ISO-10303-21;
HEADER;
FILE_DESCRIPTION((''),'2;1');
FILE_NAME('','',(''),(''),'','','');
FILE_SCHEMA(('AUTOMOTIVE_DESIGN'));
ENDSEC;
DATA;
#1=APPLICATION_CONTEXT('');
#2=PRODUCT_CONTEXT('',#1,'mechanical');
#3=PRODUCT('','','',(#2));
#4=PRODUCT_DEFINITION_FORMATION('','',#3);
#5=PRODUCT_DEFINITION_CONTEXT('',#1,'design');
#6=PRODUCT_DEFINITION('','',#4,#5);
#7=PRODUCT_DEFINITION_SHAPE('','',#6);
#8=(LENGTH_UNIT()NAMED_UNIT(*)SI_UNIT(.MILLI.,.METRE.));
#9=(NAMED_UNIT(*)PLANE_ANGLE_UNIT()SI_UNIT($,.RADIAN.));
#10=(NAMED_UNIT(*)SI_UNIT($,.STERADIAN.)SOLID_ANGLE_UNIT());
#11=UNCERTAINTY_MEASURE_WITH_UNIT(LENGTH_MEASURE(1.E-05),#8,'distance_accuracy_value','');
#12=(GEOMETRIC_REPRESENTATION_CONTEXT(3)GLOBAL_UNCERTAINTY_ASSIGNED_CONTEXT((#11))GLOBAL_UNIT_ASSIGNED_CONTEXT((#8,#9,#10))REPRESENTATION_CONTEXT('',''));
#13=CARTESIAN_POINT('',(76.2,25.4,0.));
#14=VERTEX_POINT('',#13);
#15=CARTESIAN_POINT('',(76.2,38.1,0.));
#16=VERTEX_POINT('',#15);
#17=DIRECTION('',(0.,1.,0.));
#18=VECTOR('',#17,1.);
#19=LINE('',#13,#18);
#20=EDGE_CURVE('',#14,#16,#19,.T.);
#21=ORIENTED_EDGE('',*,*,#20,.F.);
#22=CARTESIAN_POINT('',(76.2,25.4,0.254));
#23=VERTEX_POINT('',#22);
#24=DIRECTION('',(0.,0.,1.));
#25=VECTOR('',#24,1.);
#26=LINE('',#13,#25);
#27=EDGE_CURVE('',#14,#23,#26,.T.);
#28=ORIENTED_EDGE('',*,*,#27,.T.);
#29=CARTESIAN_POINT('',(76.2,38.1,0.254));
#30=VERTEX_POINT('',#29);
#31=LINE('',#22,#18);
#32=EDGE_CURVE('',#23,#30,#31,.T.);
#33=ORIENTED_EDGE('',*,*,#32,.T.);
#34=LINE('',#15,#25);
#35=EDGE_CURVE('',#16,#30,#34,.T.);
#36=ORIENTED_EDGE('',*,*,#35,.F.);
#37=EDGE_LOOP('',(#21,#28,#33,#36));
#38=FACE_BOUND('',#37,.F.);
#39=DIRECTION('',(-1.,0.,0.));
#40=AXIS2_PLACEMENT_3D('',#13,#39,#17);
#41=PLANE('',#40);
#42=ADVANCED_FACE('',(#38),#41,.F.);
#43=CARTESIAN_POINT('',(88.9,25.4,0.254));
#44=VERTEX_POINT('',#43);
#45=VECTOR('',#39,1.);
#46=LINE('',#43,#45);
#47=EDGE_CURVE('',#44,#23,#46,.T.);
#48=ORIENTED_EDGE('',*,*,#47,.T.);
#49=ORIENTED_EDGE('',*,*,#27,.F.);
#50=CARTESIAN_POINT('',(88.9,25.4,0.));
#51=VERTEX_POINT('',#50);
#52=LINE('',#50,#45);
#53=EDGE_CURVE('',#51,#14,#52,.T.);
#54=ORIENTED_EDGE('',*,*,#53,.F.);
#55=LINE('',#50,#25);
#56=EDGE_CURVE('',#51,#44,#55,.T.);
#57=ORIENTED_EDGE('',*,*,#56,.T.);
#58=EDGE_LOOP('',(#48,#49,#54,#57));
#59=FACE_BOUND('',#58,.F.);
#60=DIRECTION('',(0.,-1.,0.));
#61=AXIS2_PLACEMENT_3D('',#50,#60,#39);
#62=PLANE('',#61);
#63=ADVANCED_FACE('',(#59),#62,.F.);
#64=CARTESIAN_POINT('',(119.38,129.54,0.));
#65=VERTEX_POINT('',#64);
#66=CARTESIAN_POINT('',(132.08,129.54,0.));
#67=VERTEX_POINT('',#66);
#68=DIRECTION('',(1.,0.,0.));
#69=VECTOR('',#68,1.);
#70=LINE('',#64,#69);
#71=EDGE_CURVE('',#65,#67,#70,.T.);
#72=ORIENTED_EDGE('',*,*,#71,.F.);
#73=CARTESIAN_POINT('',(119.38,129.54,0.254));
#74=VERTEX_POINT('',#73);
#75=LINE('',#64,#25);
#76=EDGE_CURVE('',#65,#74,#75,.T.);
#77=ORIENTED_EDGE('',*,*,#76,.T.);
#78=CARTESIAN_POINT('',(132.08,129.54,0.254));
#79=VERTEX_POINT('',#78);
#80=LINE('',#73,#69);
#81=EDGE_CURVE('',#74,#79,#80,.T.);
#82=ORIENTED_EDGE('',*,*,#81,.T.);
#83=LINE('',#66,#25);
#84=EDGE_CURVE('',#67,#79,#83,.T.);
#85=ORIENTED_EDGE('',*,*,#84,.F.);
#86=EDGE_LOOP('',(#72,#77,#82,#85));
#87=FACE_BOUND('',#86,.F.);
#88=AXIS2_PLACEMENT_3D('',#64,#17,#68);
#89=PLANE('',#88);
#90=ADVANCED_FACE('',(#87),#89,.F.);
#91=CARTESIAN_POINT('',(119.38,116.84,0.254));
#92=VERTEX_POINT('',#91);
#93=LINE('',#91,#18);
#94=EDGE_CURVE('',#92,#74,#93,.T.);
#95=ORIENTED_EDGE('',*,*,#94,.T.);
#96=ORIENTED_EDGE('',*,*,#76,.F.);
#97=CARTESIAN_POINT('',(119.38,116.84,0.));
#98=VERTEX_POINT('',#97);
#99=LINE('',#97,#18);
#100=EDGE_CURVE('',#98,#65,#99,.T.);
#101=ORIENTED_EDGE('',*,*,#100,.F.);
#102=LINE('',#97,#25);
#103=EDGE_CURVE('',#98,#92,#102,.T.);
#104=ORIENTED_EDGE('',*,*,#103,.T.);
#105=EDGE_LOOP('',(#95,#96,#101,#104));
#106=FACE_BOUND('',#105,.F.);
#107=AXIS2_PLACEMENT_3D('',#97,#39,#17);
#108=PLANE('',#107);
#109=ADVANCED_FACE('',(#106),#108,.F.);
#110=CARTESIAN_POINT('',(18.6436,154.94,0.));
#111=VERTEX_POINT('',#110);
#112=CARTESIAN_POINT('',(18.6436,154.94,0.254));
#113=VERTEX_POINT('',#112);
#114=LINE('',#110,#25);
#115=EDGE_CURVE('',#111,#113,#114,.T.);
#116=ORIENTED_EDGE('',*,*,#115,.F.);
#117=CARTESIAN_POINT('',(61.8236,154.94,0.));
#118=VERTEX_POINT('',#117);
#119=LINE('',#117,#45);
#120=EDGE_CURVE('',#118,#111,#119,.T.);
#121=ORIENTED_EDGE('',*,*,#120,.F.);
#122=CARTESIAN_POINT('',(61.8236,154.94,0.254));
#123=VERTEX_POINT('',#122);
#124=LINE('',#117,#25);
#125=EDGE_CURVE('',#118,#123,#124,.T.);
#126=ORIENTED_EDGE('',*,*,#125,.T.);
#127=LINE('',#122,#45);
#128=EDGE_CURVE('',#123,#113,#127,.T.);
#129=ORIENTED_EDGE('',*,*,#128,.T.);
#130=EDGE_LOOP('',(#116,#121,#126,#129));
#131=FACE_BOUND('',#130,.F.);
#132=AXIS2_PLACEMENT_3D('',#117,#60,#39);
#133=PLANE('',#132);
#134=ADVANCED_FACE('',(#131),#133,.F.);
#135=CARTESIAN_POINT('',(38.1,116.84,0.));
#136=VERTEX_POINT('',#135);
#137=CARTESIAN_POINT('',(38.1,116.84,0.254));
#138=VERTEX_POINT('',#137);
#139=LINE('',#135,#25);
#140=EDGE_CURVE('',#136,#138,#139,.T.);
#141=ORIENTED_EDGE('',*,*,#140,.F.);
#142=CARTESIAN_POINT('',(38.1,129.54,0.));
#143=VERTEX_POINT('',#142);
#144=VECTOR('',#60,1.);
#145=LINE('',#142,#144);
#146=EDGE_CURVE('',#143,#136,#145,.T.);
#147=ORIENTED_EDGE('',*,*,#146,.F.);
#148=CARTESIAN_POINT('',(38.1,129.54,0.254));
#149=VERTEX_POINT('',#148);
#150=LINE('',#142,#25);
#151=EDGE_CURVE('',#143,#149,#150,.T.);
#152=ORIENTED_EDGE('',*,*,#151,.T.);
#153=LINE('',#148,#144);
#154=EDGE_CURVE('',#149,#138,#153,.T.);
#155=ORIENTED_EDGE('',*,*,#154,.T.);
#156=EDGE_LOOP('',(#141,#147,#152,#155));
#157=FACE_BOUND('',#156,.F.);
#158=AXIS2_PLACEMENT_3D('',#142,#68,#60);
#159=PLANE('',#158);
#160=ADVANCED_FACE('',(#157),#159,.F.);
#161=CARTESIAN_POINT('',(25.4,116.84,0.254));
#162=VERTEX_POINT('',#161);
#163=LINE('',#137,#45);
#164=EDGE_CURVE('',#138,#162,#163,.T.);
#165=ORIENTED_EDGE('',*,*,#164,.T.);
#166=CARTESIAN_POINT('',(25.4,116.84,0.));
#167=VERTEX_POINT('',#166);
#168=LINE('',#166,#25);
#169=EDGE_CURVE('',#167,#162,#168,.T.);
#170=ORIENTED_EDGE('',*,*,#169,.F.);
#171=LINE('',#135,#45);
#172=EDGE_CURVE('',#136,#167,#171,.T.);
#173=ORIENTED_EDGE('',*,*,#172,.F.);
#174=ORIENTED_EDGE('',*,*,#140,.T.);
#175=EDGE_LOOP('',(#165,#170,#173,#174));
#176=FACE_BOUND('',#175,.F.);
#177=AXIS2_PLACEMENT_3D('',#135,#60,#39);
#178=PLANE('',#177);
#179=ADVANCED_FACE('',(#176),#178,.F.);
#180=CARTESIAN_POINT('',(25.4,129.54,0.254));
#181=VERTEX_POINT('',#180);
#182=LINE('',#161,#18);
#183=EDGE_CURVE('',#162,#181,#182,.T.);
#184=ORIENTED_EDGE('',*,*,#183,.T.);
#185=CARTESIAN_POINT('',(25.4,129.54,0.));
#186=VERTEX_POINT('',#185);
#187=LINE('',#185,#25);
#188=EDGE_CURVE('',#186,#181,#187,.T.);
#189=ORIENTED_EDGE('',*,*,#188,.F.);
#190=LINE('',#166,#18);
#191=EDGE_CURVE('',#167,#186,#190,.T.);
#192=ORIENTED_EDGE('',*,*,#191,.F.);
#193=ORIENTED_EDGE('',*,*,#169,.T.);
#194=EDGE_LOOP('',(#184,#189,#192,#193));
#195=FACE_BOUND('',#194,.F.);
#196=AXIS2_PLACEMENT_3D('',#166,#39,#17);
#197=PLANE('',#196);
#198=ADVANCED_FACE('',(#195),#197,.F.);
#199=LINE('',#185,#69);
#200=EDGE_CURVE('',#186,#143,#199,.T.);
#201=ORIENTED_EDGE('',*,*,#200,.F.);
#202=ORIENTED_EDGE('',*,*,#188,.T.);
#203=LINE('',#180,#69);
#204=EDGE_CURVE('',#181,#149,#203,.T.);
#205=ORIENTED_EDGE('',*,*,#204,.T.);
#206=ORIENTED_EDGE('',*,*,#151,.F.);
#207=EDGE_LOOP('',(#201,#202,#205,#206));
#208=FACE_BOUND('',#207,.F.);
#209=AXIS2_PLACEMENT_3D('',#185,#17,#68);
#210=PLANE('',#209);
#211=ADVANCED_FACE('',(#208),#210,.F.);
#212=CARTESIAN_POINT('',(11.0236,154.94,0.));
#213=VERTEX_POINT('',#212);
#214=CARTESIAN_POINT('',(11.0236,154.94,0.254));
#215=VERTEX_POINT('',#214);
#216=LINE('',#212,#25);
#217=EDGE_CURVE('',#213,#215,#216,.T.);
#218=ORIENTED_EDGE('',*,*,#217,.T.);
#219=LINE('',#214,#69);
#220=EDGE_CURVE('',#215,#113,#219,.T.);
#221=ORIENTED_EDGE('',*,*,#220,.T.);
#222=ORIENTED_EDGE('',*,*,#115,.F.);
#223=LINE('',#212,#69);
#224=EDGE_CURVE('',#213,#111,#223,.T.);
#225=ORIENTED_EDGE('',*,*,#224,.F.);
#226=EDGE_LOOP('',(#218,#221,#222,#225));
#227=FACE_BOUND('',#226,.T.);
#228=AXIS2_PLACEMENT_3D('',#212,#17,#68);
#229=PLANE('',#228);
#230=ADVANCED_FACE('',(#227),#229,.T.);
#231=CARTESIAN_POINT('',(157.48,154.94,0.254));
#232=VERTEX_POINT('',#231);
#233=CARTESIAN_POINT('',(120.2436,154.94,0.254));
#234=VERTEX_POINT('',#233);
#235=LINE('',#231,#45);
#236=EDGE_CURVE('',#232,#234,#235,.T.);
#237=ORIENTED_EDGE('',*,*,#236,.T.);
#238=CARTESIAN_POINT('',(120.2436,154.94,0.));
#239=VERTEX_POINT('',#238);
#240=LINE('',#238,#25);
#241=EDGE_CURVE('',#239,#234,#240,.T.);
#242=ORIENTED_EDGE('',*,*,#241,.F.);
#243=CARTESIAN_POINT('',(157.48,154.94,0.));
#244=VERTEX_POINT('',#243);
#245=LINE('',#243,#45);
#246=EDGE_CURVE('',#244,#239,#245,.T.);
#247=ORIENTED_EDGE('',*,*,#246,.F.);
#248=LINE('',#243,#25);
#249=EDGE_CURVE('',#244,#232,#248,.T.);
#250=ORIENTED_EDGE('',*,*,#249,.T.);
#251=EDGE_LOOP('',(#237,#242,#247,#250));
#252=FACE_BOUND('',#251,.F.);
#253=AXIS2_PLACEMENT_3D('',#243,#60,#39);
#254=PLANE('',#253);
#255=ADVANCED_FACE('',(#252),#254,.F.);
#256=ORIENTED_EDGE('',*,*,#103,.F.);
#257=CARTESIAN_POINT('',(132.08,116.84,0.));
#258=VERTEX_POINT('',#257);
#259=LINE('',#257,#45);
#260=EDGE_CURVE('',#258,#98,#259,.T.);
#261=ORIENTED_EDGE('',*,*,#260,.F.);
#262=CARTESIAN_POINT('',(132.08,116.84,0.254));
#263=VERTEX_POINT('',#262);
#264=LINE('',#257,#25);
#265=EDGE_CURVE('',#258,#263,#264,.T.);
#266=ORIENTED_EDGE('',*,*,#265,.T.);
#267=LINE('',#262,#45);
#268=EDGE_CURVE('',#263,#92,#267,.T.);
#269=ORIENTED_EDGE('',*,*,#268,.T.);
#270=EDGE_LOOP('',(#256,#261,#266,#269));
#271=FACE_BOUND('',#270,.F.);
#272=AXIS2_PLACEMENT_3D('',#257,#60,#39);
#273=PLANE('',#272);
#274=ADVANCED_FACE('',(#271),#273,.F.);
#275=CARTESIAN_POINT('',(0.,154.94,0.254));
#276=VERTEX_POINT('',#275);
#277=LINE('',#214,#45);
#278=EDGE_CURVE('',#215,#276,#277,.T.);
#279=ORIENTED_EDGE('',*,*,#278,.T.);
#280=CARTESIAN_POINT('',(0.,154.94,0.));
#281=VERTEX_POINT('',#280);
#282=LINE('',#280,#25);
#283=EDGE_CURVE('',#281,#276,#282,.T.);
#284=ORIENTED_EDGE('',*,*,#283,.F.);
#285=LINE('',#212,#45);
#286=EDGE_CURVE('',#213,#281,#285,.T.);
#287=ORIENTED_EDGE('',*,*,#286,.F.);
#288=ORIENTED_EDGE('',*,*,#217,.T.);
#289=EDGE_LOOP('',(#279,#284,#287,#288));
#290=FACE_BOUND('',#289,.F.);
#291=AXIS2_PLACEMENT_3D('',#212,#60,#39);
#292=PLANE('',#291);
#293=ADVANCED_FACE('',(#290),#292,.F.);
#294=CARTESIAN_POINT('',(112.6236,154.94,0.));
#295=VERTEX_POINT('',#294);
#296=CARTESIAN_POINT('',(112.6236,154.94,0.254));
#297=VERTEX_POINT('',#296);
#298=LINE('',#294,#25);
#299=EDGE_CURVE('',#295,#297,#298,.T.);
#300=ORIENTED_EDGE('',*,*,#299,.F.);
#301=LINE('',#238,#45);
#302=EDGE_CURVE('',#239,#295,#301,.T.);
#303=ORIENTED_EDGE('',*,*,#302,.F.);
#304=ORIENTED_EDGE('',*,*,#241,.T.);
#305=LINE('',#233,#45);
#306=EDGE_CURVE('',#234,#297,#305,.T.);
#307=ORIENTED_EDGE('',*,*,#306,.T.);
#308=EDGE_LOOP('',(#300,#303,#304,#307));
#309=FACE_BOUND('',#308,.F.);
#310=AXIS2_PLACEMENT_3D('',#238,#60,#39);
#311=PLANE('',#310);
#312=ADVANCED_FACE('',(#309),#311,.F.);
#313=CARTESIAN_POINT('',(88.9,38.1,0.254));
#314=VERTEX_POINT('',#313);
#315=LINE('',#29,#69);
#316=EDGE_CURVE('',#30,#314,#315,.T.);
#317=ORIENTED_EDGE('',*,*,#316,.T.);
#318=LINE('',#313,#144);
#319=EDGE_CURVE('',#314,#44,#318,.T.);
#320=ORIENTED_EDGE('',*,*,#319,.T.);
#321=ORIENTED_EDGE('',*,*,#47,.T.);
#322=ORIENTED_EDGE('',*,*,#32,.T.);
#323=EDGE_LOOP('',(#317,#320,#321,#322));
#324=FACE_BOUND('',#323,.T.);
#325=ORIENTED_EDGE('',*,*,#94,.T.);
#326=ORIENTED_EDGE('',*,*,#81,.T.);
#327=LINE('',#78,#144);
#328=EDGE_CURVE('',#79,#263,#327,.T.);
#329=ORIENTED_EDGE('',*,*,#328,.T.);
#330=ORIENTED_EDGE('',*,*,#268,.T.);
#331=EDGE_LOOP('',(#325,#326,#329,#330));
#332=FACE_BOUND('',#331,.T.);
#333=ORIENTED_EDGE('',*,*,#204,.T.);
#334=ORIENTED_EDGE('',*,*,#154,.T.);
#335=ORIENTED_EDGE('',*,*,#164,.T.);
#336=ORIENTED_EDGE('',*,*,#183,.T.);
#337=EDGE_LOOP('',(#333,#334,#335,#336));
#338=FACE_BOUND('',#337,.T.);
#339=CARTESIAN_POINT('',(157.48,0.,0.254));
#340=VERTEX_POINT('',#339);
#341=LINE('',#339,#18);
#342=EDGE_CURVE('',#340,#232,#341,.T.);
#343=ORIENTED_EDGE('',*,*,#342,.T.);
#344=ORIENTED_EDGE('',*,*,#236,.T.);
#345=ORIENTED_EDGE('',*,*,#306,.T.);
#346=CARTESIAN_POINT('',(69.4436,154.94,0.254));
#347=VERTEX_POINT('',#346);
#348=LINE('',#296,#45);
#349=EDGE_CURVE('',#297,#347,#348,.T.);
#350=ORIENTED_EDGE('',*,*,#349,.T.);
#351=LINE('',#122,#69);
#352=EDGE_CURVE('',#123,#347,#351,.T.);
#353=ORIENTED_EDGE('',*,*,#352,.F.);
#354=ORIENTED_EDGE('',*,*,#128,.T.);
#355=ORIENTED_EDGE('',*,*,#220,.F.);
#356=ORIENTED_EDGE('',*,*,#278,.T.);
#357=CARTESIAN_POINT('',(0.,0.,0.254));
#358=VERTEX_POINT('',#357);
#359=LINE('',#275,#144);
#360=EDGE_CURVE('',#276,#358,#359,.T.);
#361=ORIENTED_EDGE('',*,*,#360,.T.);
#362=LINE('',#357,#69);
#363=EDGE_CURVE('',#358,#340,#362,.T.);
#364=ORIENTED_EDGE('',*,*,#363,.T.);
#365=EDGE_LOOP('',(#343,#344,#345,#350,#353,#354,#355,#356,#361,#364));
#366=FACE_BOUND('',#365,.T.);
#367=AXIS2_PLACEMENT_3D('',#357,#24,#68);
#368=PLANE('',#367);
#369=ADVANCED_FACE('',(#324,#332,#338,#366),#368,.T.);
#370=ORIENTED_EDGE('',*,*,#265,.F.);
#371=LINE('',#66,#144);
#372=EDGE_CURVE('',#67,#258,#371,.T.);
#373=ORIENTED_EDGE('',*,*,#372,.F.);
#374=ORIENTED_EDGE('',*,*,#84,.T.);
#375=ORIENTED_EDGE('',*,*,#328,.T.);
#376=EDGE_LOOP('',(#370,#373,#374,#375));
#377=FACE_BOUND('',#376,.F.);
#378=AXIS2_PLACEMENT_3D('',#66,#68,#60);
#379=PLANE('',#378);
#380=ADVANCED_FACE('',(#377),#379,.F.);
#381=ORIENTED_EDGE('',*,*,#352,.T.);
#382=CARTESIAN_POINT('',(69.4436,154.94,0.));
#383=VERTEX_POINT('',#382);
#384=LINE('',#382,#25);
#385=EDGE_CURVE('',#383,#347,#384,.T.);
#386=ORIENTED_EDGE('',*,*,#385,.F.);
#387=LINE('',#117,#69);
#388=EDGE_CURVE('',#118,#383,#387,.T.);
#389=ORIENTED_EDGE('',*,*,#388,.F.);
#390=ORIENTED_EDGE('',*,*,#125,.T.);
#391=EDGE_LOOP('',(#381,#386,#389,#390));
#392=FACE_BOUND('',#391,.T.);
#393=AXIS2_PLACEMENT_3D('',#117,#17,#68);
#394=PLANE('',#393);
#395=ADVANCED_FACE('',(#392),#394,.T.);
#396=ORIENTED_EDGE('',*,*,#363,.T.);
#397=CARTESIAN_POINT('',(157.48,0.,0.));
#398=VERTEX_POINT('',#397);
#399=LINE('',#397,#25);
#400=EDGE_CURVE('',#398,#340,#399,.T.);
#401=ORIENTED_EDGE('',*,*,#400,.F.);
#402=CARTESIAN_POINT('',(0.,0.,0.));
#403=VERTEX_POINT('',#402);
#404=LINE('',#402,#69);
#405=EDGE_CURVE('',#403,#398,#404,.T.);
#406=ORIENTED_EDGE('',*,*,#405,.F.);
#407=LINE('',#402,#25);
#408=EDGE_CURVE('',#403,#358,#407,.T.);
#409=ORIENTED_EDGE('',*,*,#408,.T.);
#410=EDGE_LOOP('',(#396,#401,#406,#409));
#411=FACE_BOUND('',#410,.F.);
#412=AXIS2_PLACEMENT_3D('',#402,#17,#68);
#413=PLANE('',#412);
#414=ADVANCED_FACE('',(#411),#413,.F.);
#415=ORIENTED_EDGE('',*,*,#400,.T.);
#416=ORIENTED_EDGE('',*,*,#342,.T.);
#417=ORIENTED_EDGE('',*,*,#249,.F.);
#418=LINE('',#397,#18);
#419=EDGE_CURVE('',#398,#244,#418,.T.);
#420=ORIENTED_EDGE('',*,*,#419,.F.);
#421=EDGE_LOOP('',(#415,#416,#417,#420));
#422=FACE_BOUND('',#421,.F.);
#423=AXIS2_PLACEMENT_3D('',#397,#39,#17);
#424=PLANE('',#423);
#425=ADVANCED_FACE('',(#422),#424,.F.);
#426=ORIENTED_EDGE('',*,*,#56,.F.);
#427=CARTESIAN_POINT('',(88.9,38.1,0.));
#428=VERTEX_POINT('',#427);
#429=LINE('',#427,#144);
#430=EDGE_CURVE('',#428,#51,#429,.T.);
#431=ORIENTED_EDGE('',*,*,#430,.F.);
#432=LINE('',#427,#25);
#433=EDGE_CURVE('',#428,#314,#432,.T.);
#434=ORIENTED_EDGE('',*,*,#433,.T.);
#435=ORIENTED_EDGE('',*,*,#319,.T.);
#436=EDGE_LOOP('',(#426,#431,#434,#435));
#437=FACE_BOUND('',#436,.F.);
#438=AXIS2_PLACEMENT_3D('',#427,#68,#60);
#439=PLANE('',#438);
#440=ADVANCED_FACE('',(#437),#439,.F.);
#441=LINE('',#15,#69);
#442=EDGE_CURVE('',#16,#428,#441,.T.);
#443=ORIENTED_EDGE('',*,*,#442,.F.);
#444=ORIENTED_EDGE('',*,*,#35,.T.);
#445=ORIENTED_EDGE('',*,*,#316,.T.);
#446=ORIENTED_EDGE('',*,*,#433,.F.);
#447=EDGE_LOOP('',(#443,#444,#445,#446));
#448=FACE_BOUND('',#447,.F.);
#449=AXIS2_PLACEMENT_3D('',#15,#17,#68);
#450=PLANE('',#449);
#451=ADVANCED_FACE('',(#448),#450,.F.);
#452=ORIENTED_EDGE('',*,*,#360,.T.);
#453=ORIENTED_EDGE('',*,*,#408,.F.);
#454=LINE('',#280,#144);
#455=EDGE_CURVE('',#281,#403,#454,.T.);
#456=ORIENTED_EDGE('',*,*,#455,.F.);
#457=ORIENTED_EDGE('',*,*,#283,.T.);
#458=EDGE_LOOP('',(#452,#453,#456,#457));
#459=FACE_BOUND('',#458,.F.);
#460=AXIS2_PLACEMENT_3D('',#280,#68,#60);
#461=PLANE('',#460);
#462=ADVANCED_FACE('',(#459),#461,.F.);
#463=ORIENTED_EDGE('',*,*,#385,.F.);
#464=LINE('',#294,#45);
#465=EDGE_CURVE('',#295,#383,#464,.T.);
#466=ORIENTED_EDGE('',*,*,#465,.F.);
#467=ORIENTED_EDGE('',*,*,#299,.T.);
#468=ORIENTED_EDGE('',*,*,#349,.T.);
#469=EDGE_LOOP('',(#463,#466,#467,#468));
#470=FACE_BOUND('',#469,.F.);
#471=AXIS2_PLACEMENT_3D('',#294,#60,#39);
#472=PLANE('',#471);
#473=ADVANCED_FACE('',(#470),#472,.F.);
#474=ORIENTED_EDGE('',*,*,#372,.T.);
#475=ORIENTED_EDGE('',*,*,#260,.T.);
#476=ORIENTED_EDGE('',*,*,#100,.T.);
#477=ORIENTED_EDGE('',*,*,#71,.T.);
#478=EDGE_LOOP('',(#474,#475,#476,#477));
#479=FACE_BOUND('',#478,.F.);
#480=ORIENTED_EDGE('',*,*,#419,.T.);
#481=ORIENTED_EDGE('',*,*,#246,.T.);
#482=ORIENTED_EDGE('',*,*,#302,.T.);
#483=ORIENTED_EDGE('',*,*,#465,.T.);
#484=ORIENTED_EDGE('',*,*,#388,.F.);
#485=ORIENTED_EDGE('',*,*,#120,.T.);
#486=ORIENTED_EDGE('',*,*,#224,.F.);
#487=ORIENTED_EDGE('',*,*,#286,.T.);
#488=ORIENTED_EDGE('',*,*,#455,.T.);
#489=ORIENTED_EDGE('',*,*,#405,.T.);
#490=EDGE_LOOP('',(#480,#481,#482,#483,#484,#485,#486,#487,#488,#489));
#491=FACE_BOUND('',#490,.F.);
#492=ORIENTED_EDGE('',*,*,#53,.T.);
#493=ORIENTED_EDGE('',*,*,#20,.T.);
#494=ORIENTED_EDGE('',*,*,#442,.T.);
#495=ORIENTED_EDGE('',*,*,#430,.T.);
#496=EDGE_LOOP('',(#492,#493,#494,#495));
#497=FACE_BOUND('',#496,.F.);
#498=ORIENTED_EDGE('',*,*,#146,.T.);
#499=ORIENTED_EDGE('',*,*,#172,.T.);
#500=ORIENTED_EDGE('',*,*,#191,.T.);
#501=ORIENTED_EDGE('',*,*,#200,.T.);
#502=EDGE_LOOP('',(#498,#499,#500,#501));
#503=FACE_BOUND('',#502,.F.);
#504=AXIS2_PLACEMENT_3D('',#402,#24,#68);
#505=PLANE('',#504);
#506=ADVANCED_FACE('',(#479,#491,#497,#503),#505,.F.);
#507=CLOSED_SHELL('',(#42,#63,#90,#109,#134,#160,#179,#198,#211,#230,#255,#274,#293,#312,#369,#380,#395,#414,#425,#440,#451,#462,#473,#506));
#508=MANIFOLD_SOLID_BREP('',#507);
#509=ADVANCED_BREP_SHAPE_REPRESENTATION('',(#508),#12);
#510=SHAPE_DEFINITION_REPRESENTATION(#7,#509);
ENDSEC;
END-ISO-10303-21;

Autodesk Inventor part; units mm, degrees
ref_plane "YZ Plane" through (0, 0, 0) normal (1, 0, 0) x (0, 1, 0)
ref_plane "XZ Plane" through (0, 0, 0) normal (0, 1, 0) x (-1, 0, 0)
ref_plane "XY Plane" through (0, 0, 0) normal (0, 0, 1) x (1, 0, 0)
sketch "Sketch1" plane through (0, 0, 0) normal (0, 0, 1) x (1, 0, 0)
  line L0 (0, 0) -> (157.48, 0)
  line L1 (157.48, 0) -> (157.48, 154.94)
  line L2 (0, 154.94) -> (0, 0)
  line L3 (61.8236, 154.94) -> (18.6436, 154.94)
  line L4 (11.0236, 154.94) -> (0, 154.94)
  line L5 (157.48, 154.94) -> (120.2436, 154.94)
  line L6 (112.6236, 154.94) -> (69.4436, 154.94)
  line L7 (11.0236, 154.94) -> (18.6436, 154.94)
  line L8 (61.8236, 154.94) -> (69.4436, 154.94)
  line L9 (120.2436, 154.94) -> (112.6236, 154.94)
  line L10 (25.4, 129.54) -> (38.1, 129.54)
  line L11 (38.1, 129.54) -> (38.1, 116.84)
  line L12 (38.1, 116.84) -> (25.4, 116.84)
  line L13 (25.4, 116.84) -> (25.4, 129.54)
  line L14 (119.38, 129.54) -> (132.08, 129.54)
  line L15 (132.08, 129.54) -> (132.08, 116.84)
  line L16 (132.08, 116.84) -> (119.38, 116.84)
  line L17 (119.38, 116.84) -> (119.38, 129.54)
  line L18 (76.2, 38.1) -> (88.9, 38.1)
  line L19 (88.9, 38.1) -> (88.9, 25.4)
  line L20 (88.9, 25.4) -> (76.2, 25.4)
  line L21 (76.2, 25.4) -> (76.2, 38.1)
  dimension "d0" = 154.94
  dimension "d1" = 157.48
  dimension "d19" = 12.7
  dimension "d20" = 12.7
  dimension "d21" = 12.7
  dimension "d22" = 12.7
  dimension "d23" = 12.7
  dimension "d24" = 25.4
  dimension "d25" = 25.4
  dimension "d26" = 76.2
  dimension "d27" = 25.4
  dimension "d28" = 25.4
extrude "Extrusion1" add sketch "Sketch1" along normal blind 0.254
properties part number "Heat sheild"
